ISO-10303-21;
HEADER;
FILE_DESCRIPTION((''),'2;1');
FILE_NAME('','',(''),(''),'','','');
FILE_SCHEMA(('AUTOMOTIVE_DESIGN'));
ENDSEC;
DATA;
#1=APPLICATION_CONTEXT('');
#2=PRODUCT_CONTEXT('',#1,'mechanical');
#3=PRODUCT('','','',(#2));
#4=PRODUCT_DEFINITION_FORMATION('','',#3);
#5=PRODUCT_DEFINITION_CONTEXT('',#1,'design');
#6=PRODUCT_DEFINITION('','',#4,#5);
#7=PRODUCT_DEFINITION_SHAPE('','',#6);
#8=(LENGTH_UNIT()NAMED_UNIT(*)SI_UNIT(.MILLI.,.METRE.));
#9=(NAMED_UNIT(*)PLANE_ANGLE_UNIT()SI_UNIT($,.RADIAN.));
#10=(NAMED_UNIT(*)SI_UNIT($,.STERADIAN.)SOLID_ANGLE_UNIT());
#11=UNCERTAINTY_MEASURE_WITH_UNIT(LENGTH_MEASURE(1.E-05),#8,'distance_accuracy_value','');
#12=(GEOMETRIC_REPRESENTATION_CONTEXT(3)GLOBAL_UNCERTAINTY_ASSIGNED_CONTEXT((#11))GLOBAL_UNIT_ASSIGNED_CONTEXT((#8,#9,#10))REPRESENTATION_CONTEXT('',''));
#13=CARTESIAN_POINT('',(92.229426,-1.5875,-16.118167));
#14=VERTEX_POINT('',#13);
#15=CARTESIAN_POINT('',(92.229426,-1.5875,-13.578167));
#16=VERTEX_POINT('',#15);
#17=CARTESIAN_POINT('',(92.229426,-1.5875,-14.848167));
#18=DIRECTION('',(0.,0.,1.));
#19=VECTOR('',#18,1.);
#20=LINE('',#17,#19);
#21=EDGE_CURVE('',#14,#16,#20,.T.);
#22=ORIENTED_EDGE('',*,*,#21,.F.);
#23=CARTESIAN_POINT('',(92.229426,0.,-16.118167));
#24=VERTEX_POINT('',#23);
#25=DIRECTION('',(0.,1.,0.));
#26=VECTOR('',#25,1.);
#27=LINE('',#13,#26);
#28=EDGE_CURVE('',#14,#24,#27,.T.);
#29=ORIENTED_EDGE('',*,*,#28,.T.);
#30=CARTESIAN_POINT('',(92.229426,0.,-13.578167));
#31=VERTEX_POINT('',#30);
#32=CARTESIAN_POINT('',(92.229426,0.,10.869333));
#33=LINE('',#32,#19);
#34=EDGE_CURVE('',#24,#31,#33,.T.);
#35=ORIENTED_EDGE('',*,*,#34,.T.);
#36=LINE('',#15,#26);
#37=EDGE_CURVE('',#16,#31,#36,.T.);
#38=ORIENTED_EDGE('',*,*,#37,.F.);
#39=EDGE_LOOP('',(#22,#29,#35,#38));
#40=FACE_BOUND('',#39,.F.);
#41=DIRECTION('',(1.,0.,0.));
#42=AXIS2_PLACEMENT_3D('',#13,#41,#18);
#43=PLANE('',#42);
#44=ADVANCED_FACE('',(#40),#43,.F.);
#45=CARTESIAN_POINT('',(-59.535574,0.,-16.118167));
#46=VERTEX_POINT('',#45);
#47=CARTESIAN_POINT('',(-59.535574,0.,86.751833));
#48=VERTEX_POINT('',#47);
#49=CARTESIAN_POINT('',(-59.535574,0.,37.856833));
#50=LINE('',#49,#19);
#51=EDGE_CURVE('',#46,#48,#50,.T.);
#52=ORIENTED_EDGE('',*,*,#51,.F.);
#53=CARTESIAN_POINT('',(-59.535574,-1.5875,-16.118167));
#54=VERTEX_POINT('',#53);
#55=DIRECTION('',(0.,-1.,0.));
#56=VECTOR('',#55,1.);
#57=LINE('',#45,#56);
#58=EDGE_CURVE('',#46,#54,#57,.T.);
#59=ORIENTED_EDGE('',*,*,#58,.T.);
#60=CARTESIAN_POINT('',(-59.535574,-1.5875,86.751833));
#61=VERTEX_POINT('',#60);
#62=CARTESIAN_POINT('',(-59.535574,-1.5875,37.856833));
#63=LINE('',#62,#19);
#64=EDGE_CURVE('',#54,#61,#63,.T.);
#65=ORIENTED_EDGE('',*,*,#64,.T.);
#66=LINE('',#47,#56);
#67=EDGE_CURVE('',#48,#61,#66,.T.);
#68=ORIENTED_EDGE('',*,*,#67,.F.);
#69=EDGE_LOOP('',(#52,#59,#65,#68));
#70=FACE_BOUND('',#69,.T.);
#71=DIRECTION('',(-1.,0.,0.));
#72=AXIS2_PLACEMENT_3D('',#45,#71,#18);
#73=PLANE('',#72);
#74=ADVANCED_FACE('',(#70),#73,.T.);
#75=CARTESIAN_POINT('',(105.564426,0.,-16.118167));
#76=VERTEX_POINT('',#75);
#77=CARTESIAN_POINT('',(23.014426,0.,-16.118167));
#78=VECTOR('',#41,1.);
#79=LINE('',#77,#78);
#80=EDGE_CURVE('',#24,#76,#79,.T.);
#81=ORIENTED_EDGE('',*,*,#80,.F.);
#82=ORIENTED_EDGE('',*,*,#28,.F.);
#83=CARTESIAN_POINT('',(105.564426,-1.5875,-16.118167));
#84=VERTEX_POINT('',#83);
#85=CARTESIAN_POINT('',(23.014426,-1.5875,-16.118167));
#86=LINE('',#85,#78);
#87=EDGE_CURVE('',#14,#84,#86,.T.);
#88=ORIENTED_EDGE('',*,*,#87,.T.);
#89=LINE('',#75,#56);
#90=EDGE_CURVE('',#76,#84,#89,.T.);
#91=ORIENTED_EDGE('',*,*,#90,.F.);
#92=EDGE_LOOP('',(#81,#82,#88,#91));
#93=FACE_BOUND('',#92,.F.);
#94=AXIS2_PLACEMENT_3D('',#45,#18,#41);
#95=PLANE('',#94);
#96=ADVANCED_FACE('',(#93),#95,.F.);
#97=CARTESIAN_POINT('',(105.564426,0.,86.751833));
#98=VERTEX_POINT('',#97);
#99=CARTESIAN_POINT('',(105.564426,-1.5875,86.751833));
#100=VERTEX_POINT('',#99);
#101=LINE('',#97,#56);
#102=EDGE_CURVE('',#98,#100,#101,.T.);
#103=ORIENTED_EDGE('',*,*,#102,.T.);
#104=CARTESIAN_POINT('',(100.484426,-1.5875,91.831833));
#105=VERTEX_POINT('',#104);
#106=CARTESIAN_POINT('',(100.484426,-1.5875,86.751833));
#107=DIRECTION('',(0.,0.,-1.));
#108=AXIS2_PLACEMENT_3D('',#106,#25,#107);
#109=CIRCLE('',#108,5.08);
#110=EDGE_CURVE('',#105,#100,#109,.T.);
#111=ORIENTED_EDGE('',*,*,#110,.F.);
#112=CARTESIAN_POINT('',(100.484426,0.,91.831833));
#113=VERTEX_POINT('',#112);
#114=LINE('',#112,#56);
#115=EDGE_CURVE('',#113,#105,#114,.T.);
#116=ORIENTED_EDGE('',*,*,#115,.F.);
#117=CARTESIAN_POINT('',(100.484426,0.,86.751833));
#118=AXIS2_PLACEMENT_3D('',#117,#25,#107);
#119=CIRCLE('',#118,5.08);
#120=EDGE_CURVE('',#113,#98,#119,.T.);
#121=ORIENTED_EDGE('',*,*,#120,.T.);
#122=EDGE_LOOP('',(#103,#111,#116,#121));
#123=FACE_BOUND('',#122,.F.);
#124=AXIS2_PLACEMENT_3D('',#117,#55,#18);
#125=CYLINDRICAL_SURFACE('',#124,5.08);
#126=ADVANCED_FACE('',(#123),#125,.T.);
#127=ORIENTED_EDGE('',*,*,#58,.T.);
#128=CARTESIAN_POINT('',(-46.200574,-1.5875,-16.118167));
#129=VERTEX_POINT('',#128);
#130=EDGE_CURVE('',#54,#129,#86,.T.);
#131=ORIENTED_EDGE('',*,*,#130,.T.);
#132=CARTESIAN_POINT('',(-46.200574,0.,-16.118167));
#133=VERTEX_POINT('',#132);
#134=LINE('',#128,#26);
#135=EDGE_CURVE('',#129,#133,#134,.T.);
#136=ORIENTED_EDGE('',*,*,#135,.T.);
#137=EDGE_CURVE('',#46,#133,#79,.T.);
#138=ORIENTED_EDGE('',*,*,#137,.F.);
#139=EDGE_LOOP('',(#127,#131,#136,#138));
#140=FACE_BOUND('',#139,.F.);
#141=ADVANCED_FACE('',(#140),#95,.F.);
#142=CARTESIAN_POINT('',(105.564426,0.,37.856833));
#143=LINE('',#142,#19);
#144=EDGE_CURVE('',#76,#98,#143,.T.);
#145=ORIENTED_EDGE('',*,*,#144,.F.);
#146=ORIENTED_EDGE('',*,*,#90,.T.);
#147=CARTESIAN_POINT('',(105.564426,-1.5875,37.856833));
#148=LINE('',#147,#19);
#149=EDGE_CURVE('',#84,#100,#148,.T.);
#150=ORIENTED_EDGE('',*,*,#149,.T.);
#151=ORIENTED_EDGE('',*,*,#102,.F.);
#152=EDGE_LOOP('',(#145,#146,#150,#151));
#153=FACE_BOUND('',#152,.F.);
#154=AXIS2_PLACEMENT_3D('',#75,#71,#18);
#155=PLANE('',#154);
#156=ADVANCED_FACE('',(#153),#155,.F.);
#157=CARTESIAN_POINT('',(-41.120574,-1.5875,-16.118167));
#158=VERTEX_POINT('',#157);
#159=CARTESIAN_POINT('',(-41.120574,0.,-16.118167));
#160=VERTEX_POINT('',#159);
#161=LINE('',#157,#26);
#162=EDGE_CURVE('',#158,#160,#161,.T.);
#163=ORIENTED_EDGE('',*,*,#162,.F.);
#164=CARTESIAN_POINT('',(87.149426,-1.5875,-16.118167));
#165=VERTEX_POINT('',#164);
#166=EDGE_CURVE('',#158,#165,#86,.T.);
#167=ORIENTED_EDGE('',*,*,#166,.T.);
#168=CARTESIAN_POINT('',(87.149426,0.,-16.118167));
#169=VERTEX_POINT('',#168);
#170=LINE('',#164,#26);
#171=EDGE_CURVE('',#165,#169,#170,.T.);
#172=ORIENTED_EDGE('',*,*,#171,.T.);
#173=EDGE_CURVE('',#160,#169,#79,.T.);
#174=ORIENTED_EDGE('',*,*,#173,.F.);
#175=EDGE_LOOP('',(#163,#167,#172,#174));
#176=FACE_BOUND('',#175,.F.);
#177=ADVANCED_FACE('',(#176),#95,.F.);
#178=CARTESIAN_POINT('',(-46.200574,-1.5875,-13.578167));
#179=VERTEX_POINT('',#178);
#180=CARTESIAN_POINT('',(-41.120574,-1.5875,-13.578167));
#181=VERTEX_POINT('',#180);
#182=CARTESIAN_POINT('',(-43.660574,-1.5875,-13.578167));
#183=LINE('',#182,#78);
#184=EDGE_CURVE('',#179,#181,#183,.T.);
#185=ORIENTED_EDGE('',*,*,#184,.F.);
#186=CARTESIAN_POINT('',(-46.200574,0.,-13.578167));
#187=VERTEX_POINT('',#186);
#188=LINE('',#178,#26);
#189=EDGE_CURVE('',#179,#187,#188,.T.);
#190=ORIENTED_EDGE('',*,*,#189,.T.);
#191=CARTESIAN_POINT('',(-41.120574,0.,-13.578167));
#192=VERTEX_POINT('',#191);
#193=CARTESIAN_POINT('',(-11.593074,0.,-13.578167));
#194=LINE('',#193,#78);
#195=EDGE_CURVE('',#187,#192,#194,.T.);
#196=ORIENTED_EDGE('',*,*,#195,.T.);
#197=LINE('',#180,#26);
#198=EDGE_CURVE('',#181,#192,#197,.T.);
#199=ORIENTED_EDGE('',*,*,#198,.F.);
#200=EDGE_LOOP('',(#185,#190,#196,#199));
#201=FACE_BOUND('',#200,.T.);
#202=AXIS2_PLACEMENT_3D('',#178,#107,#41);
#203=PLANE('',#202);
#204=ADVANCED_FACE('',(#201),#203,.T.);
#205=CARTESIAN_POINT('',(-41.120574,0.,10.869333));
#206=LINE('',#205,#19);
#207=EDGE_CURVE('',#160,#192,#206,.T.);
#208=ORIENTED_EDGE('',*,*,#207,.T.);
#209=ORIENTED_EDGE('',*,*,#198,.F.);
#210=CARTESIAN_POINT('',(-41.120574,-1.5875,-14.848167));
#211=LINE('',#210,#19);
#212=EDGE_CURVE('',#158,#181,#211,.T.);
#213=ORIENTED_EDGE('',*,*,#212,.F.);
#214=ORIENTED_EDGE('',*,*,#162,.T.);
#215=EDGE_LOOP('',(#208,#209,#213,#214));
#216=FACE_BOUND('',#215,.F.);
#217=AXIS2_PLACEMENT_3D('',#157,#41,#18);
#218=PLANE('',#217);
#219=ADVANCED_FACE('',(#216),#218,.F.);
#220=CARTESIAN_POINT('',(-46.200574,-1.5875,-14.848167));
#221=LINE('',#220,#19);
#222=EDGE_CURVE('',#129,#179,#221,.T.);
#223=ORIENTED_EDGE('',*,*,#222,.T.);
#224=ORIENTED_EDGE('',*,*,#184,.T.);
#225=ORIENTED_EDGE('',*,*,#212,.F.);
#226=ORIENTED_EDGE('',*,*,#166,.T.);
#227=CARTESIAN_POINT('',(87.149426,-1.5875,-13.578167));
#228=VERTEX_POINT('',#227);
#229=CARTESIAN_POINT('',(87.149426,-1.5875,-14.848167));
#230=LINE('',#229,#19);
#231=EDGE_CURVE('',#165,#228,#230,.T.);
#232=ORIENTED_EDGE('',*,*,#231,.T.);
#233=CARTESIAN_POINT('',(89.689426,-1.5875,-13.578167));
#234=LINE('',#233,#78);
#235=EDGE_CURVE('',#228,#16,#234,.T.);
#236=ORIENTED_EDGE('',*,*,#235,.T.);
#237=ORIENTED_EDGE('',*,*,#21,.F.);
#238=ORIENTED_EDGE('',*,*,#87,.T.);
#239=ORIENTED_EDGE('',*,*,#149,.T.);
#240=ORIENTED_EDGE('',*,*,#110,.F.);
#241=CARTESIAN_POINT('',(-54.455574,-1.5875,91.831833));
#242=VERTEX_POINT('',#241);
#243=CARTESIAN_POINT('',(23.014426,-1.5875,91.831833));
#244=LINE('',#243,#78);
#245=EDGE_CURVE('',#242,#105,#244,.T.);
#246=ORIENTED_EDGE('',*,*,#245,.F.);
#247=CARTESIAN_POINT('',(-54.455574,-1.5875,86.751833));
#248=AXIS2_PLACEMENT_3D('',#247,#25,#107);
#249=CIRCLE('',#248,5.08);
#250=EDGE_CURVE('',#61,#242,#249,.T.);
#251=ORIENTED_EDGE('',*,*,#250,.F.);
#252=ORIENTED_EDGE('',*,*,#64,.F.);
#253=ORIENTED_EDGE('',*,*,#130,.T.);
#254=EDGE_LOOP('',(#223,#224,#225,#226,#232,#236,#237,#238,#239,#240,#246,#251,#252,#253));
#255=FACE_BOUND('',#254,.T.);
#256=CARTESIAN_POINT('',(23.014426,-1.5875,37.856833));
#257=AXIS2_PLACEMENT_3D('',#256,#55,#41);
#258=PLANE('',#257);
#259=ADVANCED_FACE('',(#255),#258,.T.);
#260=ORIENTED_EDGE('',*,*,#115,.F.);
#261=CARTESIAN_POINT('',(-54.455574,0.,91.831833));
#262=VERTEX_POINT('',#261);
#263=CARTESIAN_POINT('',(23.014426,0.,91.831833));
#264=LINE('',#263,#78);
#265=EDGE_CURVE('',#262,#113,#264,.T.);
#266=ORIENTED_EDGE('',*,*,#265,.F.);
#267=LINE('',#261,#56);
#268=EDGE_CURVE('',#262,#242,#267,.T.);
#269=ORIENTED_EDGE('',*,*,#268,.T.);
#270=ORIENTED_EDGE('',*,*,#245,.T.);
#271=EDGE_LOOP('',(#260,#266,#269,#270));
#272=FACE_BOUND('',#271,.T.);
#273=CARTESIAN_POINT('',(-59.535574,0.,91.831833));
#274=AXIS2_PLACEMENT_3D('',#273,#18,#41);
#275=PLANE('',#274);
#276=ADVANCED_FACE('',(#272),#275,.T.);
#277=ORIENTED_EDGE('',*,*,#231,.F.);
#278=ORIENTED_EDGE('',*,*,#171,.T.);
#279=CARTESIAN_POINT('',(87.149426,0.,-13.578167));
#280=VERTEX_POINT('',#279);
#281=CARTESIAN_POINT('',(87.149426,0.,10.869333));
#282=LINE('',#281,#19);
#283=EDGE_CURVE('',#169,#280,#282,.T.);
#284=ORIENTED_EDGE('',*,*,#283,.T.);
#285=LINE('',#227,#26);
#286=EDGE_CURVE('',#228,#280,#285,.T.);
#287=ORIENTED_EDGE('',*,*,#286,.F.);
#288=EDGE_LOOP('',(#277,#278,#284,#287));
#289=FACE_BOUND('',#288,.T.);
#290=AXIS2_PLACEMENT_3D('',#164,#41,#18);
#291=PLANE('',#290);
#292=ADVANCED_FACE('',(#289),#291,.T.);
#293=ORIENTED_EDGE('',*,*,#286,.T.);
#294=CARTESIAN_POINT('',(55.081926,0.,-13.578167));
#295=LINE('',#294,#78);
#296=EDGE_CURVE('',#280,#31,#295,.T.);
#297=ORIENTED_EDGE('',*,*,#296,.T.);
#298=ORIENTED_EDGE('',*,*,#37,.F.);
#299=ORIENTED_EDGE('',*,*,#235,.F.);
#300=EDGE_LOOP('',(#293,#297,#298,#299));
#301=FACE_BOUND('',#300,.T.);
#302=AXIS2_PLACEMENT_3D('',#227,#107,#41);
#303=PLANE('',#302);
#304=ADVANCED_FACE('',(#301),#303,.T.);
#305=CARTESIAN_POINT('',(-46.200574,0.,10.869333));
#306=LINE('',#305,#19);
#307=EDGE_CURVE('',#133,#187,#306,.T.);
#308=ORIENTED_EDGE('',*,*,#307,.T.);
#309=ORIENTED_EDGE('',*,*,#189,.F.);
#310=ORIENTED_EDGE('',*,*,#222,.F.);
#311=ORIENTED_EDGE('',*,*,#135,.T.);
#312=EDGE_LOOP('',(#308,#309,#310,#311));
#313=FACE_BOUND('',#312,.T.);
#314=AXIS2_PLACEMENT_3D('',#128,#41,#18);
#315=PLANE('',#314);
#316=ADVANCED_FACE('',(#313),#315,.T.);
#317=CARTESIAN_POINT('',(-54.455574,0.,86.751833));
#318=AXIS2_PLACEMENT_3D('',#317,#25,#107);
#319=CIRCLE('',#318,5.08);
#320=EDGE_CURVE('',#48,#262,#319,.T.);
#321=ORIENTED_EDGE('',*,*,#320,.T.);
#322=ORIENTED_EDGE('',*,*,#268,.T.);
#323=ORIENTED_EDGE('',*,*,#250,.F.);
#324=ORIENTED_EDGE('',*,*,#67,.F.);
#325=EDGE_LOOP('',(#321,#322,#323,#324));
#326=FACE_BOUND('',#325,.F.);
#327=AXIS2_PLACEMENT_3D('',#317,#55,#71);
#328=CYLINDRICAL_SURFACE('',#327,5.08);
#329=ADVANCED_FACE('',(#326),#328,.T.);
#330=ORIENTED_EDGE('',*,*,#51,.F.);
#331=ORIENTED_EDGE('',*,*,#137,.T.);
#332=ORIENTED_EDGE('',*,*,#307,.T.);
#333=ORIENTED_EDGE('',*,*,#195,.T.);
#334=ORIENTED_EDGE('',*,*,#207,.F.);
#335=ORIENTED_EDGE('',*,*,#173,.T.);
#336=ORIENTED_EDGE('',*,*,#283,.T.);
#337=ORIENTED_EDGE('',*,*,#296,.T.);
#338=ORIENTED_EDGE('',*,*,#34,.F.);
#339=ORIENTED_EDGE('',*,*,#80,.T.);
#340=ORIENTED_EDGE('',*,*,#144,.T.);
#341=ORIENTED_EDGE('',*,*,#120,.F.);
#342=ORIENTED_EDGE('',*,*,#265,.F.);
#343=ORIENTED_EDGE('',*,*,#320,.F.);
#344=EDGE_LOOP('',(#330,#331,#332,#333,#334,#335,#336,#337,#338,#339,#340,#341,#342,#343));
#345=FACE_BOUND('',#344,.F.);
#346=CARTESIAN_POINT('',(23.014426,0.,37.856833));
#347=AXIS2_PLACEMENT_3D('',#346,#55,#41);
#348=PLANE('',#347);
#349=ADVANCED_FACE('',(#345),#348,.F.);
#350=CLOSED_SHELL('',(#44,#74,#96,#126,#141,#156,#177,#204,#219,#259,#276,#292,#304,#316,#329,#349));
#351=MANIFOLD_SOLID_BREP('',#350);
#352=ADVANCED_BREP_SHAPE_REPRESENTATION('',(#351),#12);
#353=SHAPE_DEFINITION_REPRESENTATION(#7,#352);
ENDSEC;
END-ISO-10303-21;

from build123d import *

# Parameters (mm, degrees)
F0_W     = 165.1
F0_H     = 107.95
F1_DEPTH = 1.5875
F2_W     = 5.08
F2_H     = 2.54
F3_DEPTH = 25.4
F4_R     = 5.08


with BuildPart() as f1:
    # F0 (on Front) → F1 (new body)
    with BuildSketch(Plane.XZ):
        with Locations((23.014426, 37.856833)):
            Rectangle(F0_W, F0_H)
    extrude(amount=F1_DEPTH)

    # F2 (on face) → F3 (cut)
    with BuildSketch(Plane.XZ.offset(1.5875)):
        with Locations((-43.660574, -14.848167)):
            Rectangle(F2_W, F2_H)
        with Locations((89.689426, -14.848167)):
            Rectangle(F2_W, F2_H)
    extrude(amount=-F3_DEPTH, mode=Mode.SUBTRACT)

    # F4
    f4_edges = [f1.edges().sort_by_distance(p)[0] for p in [
        (105.564426, -0.79375, 91.831833),
        (-59.535574, -0.79375, 91.831833),
    ]]
    fillet(f4_edges, radius=F4_R)


solid = f1.part
